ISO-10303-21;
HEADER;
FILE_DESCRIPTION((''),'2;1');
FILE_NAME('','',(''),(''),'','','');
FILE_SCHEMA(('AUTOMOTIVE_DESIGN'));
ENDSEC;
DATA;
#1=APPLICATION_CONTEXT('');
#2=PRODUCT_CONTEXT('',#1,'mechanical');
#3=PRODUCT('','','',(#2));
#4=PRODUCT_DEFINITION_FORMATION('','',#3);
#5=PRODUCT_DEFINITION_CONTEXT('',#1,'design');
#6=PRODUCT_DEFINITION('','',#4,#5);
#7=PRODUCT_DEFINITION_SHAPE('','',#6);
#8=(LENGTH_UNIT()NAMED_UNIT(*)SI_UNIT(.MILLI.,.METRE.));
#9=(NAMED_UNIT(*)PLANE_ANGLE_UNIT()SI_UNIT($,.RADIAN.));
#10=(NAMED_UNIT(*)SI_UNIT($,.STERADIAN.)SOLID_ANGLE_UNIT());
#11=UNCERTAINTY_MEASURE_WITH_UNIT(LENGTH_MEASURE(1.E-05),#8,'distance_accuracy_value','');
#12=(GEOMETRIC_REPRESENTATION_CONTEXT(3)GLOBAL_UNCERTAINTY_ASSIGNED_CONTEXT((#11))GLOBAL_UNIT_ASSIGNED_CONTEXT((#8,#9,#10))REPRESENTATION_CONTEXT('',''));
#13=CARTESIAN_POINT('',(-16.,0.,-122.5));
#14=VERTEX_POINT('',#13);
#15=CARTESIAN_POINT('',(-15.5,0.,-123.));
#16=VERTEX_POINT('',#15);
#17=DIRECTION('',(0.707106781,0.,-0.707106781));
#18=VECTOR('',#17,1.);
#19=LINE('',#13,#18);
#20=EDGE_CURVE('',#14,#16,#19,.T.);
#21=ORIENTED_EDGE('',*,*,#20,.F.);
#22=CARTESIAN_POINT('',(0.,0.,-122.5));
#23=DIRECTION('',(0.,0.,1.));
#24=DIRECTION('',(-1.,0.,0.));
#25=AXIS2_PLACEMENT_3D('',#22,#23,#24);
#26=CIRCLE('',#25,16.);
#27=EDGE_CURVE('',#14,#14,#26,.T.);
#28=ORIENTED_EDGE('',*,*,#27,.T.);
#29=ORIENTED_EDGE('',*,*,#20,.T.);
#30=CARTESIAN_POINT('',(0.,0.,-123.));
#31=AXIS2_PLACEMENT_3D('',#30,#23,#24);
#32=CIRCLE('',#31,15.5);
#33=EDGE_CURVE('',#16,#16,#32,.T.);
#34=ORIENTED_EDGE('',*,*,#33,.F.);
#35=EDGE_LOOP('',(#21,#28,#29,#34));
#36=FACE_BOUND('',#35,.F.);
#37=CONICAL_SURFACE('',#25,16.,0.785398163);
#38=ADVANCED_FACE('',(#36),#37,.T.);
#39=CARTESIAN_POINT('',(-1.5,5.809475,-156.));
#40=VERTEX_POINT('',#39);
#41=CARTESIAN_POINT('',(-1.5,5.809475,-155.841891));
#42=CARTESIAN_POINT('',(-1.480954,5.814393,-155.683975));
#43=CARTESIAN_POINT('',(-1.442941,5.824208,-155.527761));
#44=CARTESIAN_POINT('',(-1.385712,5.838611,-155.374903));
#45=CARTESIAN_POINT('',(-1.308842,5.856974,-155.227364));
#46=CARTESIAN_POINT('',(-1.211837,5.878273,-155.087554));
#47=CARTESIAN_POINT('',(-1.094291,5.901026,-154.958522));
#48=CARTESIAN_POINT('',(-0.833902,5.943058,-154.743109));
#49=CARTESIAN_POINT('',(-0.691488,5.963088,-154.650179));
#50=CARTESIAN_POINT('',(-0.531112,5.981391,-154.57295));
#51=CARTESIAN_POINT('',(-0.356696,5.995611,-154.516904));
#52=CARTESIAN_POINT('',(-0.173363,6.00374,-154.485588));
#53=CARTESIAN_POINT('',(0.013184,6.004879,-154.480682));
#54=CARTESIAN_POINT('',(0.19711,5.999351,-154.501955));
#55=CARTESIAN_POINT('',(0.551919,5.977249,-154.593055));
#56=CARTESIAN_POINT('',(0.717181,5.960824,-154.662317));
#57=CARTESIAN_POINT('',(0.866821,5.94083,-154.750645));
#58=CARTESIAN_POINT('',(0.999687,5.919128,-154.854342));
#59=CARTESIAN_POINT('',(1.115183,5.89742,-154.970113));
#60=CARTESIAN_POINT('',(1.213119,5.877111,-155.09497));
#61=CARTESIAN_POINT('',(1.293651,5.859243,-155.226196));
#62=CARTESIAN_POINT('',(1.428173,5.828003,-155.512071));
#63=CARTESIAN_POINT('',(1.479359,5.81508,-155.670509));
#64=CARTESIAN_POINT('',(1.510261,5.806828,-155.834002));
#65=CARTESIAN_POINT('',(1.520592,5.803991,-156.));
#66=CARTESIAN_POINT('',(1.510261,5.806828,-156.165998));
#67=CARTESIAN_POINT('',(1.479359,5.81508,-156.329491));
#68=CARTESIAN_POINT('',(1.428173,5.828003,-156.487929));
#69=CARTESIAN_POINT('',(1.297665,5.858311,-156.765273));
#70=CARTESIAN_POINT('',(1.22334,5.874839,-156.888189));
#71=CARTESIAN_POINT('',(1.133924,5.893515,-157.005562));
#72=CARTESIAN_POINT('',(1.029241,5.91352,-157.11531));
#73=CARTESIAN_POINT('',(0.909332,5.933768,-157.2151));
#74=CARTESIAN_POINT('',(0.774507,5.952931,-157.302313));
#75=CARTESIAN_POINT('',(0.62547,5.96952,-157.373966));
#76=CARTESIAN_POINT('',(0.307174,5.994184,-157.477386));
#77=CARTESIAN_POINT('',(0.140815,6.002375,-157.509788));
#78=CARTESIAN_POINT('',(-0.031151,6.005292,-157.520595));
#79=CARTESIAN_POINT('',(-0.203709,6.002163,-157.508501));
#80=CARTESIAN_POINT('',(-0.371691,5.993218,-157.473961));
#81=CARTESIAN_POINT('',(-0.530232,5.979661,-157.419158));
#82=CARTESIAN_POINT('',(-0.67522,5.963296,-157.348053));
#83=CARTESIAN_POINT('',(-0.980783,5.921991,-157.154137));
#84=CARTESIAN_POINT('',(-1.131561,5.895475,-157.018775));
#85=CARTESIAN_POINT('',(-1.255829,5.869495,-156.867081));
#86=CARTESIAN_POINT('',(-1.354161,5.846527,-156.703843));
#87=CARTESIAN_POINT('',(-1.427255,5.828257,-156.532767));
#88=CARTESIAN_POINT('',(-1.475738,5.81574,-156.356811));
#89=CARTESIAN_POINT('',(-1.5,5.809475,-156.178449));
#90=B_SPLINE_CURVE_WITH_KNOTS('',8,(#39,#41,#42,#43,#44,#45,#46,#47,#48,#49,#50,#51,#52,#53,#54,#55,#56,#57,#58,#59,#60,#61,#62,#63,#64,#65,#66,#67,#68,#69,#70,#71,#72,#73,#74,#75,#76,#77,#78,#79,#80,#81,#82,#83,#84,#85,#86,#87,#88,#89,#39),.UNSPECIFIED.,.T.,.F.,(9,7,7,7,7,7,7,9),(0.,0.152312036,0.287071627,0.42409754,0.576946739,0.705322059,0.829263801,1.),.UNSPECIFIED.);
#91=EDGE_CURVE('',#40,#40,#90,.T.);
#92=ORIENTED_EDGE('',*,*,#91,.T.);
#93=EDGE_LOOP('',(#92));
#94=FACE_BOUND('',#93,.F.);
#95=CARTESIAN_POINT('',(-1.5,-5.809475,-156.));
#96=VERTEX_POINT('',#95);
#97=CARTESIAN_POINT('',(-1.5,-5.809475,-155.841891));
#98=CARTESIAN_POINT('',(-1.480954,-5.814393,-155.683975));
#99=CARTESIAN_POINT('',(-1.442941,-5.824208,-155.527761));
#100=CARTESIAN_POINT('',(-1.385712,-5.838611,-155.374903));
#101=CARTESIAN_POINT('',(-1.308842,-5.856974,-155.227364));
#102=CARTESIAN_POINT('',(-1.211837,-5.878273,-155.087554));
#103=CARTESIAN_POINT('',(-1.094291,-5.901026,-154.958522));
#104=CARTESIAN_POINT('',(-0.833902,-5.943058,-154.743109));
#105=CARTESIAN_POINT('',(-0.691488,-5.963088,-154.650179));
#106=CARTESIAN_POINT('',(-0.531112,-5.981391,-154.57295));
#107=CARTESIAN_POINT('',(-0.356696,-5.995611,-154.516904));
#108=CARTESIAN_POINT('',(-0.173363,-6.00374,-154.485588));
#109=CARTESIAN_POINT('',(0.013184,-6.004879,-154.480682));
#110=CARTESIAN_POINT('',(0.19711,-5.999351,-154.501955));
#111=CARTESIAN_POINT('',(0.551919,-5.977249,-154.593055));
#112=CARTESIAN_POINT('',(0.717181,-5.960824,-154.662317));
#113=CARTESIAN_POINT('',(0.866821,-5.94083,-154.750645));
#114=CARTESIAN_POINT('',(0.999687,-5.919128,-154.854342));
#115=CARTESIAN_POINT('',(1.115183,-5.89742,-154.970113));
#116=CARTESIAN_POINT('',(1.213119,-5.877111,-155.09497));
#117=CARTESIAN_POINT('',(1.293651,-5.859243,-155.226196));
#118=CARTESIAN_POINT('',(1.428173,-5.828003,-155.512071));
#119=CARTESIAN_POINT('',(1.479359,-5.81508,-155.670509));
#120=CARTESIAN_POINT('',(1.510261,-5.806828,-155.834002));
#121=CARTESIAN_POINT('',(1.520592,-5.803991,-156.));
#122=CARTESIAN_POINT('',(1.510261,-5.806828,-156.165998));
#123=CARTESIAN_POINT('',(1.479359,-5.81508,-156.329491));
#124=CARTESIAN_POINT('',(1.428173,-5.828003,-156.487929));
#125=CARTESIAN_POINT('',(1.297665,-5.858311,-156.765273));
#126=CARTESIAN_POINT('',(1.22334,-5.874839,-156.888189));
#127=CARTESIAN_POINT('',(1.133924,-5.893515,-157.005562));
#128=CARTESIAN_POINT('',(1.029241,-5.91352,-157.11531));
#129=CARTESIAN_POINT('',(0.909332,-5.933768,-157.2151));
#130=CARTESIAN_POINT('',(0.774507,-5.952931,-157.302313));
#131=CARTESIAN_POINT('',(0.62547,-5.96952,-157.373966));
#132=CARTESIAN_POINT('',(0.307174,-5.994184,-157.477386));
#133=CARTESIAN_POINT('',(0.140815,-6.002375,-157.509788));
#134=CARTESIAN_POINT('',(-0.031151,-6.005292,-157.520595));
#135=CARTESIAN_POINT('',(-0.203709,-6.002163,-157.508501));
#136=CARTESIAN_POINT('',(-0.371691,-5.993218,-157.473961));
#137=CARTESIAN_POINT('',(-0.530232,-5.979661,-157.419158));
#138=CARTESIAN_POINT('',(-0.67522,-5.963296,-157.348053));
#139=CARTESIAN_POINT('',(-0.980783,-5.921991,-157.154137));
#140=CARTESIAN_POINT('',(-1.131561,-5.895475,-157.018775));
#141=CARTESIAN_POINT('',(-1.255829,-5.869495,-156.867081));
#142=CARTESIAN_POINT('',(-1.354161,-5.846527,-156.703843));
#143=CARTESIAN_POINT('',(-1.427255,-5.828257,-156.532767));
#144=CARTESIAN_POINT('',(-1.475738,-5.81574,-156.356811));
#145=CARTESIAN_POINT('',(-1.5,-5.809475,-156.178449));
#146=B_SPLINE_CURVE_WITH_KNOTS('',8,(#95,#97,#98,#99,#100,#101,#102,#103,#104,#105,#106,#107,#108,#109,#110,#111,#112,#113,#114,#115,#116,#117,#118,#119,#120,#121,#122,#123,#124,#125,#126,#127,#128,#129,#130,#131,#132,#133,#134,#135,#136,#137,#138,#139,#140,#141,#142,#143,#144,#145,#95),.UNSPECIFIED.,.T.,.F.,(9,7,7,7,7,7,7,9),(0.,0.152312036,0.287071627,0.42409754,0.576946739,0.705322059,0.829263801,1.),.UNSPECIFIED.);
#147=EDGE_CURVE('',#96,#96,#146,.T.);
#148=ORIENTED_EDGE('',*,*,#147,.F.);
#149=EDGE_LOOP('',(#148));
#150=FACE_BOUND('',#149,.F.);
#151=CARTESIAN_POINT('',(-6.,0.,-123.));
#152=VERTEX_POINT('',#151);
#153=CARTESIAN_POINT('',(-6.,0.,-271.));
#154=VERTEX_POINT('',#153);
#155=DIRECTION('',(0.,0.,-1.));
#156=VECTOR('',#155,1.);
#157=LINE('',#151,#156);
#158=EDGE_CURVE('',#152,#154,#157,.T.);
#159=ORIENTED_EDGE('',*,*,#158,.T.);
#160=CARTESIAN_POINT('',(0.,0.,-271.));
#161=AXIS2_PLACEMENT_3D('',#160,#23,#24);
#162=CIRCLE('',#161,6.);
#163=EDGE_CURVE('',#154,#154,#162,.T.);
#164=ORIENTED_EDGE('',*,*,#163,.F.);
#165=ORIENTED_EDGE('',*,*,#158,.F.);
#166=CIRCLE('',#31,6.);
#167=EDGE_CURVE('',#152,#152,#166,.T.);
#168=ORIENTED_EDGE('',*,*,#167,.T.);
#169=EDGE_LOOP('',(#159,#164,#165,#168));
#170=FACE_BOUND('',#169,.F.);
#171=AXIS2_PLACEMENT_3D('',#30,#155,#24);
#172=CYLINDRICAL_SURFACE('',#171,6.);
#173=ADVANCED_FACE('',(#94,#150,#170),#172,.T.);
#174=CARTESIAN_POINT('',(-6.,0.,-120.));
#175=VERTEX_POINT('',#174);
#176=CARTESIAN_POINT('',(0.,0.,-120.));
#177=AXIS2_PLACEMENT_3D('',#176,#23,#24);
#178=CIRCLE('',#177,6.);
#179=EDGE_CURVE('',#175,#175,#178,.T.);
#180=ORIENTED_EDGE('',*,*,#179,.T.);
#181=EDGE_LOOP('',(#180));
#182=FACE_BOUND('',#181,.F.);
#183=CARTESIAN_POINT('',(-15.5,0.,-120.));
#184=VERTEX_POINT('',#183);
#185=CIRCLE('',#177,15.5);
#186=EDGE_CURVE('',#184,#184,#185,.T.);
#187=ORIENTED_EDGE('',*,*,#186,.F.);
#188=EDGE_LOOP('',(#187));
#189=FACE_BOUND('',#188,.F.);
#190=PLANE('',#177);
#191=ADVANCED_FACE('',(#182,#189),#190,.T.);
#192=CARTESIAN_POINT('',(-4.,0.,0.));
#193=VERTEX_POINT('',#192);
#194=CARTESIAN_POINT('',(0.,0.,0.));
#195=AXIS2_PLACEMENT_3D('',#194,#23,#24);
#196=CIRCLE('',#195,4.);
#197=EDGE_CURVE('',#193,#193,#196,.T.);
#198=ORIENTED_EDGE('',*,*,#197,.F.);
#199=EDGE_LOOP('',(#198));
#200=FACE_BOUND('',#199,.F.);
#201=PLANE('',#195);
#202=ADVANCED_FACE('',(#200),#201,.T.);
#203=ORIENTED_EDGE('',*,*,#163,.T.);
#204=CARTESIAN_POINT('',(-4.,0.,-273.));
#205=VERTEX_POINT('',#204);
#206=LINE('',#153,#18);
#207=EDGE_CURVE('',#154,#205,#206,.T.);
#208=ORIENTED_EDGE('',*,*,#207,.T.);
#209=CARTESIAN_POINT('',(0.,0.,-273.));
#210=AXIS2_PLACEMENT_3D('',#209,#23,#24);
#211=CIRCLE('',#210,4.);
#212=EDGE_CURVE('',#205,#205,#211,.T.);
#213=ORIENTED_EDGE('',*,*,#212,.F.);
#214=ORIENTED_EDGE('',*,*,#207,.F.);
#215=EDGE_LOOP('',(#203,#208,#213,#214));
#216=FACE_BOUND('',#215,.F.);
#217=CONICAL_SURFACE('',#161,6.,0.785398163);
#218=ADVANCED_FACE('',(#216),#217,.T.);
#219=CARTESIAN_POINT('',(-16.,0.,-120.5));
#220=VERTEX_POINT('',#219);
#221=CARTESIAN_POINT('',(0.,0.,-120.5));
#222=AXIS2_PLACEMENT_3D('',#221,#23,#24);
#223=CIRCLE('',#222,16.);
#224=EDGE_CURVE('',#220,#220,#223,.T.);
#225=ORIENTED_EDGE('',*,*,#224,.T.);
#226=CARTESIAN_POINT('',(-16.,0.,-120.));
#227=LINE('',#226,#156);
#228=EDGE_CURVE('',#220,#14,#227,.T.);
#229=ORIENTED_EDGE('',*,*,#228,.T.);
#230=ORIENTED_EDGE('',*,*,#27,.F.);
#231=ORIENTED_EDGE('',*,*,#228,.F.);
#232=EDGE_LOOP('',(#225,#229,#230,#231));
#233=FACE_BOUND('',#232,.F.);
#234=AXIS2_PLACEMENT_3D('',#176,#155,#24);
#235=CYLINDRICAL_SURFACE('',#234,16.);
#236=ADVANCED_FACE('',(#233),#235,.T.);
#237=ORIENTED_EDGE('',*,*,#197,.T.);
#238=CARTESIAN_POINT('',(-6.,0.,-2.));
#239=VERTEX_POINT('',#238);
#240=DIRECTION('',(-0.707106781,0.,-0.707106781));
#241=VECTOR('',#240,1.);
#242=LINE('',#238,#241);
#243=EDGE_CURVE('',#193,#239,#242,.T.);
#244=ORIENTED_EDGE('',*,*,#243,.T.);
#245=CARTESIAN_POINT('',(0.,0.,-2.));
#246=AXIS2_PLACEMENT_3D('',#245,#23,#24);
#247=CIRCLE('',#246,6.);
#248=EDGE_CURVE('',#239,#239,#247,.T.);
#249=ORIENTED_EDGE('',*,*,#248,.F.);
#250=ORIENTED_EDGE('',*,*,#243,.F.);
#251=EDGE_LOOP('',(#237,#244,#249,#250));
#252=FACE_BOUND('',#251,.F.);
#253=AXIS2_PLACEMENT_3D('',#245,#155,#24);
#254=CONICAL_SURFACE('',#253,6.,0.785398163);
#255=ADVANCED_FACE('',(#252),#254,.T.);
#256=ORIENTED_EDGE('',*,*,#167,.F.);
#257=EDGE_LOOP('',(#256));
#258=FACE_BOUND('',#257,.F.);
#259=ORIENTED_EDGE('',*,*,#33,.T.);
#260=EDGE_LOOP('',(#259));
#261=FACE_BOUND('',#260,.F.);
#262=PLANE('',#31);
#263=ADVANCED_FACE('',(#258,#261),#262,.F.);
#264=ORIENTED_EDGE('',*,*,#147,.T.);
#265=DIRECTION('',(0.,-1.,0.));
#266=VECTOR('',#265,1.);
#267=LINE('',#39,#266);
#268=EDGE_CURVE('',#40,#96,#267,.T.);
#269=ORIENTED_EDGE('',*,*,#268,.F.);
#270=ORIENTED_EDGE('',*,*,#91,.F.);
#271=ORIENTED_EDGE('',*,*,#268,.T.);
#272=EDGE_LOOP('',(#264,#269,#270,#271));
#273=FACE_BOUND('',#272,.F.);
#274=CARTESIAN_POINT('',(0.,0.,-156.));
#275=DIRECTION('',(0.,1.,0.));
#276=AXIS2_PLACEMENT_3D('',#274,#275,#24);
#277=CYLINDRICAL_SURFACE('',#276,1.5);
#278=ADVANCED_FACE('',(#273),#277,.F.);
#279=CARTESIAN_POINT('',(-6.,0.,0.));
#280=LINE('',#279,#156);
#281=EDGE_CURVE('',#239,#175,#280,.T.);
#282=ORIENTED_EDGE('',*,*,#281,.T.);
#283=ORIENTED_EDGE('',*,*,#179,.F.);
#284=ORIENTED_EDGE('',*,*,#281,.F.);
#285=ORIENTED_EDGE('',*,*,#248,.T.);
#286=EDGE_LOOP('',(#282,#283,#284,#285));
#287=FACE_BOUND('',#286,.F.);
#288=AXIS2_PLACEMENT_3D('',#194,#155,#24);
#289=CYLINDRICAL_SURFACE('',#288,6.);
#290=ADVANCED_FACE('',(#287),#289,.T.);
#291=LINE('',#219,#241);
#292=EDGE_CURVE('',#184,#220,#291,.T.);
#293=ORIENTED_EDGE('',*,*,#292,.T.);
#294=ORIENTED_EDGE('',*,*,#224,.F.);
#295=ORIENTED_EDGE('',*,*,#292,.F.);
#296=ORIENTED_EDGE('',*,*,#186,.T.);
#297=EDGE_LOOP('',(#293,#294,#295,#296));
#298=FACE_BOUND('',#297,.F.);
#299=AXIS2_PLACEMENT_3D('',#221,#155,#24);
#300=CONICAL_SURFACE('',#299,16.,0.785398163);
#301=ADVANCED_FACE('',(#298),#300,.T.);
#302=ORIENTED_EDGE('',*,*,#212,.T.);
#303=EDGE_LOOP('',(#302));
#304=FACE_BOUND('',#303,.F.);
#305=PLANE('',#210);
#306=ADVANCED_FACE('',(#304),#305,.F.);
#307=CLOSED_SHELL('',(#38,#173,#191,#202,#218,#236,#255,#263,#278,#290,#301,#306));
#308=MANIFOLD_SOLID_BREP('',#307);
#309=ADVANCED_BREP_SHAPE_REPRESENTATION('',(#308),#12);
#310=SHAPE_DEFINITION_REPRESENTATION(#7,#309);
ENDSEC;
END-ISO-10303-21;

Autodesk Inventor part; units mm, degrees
ref_plane "YZ Plane" through (0, 0, 0) normal (1, 0, 0) x (0, 1, 0)
ref_plane "XZ Plane" through (0, 0, 0) normal (0, 1, 0) x (-1, 0, 0)
ref_plane "XY Plane" through (0, 0, 0) normal (0, 0, 1) x (1, 0, 0)
sketch "Sketch1" plane through (0, 0, 0) normal (0, 1, 0) x (-1, 0, 0)
  line L0 (0, 0) -> (6, 0)
  line L1 (6, 0) -> (6, -120)
  line L2 (6, -120) -> (16, -120)
  line L3 (16, -120) -> (16, -123)
  line L4 (16, -123) -> (6, -123)
  line L5 (6, -123) -> (6, -273)
  line L6 (6, -273) -> (0, -273)
  line L7 (0, -273) -> (0, 0)
  dimension "d0" = 120
  dimension "d1" = 3
  dimension "d2" = 10
  dimension "d3" = 150
  dimension "d4" = 6
revolve "Revolution1" add sketch "Sketch1" angle 360 about axis through (0, 0, -273) along (0, 0, 1)
sketch "Sketch3" plane through (0, 0, 0) normal (0, 1, 0) x (-1, 0, 0)
  circle A0 centre (0, -156) radius 1.5
  line L0 (-16, -123) -> (16, -123) projected
  point P0 (0, 0)
  dimension "d6" = 3
  dimension "d7" = 33
extrude "Extrusion1" cut sketch "Sketch3" along normal through all both and the other way through all
chamfer "Chamfer1" distance 2 angle 45 2 edges at (6, 0, -273) (6, 0, 0)
chamfer "Chamfer2" distance 0.5 angle 45 2 edges at (16, 0, -123) (16, 0, -120)
properties part number "Handle"
